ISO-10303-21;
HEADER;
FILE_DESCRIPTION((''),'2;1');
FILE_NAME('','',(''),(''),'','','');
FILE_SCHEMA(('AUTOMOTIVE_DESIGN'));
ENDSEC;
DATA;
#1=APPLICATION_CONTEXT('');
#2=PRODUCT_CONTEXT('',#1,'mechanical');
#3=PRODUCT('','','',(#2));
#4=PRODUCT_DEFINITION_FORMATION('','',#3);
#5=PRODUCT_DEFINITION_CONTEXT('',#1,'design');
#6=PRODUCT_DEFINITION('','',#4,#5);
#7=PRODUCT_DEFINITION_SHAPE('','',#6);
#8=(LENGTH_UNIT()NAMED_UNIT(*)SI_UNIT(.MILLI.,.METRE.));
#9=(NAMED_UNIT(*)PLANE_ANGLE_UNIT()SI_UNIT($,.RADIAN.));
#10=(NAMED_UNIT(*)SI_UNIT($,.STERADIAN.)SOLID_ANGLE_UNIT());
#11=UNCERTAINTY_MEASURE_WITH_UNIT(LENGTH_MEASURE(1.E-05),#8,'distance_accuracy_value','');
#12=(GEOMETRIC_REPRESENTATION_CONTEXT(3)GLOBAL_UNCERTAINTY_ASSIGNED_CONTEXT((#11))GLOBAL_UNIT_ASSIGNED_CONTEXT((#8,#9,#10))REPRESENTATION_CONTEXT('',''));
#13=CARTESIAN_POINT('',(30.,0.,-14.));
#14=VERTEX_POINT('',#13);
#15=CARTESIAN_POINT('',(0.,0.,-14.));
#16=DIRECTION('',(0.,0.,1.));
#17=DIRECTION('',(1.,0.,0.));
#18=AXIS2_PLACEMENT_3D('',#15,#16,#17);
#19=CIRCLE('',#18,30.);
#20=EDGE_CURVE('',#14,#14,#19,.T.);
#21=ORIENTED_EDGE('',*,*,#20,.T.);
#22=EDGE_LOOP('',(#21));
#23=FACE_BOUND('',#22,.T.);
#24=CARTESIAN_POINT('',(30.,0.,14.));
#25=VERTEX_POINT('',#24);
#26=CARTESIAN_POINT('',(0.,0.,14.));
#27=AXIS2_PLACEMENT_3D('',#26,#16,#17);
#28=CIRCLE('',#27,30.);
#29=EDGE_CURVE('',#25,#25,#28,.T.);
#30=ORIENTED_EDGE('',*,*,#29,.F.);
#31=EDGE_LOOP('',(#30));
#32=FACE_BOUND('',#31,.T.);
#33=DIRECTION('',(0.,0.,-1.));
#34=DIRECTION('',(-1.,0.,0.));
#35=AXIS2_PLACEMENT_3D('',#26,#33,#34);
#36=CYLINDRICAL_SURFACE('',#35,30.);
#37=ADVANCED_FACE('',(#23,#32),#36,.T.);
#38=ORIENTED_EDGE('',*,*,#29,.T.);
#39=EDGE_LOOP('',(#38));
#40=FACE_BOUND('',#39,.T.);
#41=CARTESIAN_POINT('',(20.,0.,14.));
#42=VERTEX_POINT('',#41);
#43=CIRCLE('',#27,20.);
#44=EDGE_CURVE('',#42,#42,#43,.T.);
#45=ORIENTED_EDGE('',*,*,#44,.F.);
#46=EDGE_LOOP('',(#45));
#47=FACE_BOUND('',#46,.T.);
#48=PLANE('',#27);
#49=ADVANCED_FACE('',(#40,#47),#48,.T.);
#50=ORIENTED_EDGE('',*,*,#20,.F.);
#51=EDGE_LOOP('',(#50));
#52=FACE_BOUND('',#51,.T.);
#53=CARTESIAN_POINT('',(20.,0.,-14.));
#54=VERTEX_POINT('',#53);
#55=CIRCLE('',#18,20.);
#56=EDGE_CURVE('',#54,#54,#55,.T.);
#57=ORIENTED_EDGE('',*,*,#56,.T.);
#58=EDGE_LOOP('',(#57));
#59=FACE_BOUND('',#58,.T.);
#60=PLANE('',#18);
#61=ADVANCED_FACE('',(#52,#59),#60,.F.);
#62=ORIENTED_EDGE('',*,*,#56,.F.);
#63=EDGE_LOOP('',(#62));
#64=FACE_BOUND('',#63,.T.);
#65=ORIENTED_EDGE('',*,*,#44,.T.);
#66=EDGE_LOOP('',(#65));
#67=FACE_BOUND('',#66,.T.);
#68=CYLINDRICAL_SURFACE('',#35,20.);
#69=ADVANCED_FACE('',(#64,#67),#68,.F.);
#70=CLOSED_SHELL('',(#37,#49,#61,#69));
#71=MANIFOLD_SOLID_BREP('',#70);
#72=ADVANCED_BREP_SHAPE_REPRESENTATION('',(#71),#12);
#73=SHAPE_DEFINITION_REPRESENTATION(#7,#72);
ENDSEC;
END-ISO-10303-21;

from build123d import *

# Parameters (mm, degrees)
SKETCH1_R           = 30
SKETCH1_R_2         = 20
BOSS_EXTRUDE1_DEPTH = 14


with BuildPart() as part:
    # Sketch1 → Boss-Extrude1 (new body, symmetric)
    with BuildSketch(Plane.XY):
        Circle(SKETCH1_R)
        Circle(SKETCH1_R_2, mode=Mode.SUBTRACT)
    extrude(amount=BOSS_EXTRUDE1_DEPTH, both=True)


solid = part.part
